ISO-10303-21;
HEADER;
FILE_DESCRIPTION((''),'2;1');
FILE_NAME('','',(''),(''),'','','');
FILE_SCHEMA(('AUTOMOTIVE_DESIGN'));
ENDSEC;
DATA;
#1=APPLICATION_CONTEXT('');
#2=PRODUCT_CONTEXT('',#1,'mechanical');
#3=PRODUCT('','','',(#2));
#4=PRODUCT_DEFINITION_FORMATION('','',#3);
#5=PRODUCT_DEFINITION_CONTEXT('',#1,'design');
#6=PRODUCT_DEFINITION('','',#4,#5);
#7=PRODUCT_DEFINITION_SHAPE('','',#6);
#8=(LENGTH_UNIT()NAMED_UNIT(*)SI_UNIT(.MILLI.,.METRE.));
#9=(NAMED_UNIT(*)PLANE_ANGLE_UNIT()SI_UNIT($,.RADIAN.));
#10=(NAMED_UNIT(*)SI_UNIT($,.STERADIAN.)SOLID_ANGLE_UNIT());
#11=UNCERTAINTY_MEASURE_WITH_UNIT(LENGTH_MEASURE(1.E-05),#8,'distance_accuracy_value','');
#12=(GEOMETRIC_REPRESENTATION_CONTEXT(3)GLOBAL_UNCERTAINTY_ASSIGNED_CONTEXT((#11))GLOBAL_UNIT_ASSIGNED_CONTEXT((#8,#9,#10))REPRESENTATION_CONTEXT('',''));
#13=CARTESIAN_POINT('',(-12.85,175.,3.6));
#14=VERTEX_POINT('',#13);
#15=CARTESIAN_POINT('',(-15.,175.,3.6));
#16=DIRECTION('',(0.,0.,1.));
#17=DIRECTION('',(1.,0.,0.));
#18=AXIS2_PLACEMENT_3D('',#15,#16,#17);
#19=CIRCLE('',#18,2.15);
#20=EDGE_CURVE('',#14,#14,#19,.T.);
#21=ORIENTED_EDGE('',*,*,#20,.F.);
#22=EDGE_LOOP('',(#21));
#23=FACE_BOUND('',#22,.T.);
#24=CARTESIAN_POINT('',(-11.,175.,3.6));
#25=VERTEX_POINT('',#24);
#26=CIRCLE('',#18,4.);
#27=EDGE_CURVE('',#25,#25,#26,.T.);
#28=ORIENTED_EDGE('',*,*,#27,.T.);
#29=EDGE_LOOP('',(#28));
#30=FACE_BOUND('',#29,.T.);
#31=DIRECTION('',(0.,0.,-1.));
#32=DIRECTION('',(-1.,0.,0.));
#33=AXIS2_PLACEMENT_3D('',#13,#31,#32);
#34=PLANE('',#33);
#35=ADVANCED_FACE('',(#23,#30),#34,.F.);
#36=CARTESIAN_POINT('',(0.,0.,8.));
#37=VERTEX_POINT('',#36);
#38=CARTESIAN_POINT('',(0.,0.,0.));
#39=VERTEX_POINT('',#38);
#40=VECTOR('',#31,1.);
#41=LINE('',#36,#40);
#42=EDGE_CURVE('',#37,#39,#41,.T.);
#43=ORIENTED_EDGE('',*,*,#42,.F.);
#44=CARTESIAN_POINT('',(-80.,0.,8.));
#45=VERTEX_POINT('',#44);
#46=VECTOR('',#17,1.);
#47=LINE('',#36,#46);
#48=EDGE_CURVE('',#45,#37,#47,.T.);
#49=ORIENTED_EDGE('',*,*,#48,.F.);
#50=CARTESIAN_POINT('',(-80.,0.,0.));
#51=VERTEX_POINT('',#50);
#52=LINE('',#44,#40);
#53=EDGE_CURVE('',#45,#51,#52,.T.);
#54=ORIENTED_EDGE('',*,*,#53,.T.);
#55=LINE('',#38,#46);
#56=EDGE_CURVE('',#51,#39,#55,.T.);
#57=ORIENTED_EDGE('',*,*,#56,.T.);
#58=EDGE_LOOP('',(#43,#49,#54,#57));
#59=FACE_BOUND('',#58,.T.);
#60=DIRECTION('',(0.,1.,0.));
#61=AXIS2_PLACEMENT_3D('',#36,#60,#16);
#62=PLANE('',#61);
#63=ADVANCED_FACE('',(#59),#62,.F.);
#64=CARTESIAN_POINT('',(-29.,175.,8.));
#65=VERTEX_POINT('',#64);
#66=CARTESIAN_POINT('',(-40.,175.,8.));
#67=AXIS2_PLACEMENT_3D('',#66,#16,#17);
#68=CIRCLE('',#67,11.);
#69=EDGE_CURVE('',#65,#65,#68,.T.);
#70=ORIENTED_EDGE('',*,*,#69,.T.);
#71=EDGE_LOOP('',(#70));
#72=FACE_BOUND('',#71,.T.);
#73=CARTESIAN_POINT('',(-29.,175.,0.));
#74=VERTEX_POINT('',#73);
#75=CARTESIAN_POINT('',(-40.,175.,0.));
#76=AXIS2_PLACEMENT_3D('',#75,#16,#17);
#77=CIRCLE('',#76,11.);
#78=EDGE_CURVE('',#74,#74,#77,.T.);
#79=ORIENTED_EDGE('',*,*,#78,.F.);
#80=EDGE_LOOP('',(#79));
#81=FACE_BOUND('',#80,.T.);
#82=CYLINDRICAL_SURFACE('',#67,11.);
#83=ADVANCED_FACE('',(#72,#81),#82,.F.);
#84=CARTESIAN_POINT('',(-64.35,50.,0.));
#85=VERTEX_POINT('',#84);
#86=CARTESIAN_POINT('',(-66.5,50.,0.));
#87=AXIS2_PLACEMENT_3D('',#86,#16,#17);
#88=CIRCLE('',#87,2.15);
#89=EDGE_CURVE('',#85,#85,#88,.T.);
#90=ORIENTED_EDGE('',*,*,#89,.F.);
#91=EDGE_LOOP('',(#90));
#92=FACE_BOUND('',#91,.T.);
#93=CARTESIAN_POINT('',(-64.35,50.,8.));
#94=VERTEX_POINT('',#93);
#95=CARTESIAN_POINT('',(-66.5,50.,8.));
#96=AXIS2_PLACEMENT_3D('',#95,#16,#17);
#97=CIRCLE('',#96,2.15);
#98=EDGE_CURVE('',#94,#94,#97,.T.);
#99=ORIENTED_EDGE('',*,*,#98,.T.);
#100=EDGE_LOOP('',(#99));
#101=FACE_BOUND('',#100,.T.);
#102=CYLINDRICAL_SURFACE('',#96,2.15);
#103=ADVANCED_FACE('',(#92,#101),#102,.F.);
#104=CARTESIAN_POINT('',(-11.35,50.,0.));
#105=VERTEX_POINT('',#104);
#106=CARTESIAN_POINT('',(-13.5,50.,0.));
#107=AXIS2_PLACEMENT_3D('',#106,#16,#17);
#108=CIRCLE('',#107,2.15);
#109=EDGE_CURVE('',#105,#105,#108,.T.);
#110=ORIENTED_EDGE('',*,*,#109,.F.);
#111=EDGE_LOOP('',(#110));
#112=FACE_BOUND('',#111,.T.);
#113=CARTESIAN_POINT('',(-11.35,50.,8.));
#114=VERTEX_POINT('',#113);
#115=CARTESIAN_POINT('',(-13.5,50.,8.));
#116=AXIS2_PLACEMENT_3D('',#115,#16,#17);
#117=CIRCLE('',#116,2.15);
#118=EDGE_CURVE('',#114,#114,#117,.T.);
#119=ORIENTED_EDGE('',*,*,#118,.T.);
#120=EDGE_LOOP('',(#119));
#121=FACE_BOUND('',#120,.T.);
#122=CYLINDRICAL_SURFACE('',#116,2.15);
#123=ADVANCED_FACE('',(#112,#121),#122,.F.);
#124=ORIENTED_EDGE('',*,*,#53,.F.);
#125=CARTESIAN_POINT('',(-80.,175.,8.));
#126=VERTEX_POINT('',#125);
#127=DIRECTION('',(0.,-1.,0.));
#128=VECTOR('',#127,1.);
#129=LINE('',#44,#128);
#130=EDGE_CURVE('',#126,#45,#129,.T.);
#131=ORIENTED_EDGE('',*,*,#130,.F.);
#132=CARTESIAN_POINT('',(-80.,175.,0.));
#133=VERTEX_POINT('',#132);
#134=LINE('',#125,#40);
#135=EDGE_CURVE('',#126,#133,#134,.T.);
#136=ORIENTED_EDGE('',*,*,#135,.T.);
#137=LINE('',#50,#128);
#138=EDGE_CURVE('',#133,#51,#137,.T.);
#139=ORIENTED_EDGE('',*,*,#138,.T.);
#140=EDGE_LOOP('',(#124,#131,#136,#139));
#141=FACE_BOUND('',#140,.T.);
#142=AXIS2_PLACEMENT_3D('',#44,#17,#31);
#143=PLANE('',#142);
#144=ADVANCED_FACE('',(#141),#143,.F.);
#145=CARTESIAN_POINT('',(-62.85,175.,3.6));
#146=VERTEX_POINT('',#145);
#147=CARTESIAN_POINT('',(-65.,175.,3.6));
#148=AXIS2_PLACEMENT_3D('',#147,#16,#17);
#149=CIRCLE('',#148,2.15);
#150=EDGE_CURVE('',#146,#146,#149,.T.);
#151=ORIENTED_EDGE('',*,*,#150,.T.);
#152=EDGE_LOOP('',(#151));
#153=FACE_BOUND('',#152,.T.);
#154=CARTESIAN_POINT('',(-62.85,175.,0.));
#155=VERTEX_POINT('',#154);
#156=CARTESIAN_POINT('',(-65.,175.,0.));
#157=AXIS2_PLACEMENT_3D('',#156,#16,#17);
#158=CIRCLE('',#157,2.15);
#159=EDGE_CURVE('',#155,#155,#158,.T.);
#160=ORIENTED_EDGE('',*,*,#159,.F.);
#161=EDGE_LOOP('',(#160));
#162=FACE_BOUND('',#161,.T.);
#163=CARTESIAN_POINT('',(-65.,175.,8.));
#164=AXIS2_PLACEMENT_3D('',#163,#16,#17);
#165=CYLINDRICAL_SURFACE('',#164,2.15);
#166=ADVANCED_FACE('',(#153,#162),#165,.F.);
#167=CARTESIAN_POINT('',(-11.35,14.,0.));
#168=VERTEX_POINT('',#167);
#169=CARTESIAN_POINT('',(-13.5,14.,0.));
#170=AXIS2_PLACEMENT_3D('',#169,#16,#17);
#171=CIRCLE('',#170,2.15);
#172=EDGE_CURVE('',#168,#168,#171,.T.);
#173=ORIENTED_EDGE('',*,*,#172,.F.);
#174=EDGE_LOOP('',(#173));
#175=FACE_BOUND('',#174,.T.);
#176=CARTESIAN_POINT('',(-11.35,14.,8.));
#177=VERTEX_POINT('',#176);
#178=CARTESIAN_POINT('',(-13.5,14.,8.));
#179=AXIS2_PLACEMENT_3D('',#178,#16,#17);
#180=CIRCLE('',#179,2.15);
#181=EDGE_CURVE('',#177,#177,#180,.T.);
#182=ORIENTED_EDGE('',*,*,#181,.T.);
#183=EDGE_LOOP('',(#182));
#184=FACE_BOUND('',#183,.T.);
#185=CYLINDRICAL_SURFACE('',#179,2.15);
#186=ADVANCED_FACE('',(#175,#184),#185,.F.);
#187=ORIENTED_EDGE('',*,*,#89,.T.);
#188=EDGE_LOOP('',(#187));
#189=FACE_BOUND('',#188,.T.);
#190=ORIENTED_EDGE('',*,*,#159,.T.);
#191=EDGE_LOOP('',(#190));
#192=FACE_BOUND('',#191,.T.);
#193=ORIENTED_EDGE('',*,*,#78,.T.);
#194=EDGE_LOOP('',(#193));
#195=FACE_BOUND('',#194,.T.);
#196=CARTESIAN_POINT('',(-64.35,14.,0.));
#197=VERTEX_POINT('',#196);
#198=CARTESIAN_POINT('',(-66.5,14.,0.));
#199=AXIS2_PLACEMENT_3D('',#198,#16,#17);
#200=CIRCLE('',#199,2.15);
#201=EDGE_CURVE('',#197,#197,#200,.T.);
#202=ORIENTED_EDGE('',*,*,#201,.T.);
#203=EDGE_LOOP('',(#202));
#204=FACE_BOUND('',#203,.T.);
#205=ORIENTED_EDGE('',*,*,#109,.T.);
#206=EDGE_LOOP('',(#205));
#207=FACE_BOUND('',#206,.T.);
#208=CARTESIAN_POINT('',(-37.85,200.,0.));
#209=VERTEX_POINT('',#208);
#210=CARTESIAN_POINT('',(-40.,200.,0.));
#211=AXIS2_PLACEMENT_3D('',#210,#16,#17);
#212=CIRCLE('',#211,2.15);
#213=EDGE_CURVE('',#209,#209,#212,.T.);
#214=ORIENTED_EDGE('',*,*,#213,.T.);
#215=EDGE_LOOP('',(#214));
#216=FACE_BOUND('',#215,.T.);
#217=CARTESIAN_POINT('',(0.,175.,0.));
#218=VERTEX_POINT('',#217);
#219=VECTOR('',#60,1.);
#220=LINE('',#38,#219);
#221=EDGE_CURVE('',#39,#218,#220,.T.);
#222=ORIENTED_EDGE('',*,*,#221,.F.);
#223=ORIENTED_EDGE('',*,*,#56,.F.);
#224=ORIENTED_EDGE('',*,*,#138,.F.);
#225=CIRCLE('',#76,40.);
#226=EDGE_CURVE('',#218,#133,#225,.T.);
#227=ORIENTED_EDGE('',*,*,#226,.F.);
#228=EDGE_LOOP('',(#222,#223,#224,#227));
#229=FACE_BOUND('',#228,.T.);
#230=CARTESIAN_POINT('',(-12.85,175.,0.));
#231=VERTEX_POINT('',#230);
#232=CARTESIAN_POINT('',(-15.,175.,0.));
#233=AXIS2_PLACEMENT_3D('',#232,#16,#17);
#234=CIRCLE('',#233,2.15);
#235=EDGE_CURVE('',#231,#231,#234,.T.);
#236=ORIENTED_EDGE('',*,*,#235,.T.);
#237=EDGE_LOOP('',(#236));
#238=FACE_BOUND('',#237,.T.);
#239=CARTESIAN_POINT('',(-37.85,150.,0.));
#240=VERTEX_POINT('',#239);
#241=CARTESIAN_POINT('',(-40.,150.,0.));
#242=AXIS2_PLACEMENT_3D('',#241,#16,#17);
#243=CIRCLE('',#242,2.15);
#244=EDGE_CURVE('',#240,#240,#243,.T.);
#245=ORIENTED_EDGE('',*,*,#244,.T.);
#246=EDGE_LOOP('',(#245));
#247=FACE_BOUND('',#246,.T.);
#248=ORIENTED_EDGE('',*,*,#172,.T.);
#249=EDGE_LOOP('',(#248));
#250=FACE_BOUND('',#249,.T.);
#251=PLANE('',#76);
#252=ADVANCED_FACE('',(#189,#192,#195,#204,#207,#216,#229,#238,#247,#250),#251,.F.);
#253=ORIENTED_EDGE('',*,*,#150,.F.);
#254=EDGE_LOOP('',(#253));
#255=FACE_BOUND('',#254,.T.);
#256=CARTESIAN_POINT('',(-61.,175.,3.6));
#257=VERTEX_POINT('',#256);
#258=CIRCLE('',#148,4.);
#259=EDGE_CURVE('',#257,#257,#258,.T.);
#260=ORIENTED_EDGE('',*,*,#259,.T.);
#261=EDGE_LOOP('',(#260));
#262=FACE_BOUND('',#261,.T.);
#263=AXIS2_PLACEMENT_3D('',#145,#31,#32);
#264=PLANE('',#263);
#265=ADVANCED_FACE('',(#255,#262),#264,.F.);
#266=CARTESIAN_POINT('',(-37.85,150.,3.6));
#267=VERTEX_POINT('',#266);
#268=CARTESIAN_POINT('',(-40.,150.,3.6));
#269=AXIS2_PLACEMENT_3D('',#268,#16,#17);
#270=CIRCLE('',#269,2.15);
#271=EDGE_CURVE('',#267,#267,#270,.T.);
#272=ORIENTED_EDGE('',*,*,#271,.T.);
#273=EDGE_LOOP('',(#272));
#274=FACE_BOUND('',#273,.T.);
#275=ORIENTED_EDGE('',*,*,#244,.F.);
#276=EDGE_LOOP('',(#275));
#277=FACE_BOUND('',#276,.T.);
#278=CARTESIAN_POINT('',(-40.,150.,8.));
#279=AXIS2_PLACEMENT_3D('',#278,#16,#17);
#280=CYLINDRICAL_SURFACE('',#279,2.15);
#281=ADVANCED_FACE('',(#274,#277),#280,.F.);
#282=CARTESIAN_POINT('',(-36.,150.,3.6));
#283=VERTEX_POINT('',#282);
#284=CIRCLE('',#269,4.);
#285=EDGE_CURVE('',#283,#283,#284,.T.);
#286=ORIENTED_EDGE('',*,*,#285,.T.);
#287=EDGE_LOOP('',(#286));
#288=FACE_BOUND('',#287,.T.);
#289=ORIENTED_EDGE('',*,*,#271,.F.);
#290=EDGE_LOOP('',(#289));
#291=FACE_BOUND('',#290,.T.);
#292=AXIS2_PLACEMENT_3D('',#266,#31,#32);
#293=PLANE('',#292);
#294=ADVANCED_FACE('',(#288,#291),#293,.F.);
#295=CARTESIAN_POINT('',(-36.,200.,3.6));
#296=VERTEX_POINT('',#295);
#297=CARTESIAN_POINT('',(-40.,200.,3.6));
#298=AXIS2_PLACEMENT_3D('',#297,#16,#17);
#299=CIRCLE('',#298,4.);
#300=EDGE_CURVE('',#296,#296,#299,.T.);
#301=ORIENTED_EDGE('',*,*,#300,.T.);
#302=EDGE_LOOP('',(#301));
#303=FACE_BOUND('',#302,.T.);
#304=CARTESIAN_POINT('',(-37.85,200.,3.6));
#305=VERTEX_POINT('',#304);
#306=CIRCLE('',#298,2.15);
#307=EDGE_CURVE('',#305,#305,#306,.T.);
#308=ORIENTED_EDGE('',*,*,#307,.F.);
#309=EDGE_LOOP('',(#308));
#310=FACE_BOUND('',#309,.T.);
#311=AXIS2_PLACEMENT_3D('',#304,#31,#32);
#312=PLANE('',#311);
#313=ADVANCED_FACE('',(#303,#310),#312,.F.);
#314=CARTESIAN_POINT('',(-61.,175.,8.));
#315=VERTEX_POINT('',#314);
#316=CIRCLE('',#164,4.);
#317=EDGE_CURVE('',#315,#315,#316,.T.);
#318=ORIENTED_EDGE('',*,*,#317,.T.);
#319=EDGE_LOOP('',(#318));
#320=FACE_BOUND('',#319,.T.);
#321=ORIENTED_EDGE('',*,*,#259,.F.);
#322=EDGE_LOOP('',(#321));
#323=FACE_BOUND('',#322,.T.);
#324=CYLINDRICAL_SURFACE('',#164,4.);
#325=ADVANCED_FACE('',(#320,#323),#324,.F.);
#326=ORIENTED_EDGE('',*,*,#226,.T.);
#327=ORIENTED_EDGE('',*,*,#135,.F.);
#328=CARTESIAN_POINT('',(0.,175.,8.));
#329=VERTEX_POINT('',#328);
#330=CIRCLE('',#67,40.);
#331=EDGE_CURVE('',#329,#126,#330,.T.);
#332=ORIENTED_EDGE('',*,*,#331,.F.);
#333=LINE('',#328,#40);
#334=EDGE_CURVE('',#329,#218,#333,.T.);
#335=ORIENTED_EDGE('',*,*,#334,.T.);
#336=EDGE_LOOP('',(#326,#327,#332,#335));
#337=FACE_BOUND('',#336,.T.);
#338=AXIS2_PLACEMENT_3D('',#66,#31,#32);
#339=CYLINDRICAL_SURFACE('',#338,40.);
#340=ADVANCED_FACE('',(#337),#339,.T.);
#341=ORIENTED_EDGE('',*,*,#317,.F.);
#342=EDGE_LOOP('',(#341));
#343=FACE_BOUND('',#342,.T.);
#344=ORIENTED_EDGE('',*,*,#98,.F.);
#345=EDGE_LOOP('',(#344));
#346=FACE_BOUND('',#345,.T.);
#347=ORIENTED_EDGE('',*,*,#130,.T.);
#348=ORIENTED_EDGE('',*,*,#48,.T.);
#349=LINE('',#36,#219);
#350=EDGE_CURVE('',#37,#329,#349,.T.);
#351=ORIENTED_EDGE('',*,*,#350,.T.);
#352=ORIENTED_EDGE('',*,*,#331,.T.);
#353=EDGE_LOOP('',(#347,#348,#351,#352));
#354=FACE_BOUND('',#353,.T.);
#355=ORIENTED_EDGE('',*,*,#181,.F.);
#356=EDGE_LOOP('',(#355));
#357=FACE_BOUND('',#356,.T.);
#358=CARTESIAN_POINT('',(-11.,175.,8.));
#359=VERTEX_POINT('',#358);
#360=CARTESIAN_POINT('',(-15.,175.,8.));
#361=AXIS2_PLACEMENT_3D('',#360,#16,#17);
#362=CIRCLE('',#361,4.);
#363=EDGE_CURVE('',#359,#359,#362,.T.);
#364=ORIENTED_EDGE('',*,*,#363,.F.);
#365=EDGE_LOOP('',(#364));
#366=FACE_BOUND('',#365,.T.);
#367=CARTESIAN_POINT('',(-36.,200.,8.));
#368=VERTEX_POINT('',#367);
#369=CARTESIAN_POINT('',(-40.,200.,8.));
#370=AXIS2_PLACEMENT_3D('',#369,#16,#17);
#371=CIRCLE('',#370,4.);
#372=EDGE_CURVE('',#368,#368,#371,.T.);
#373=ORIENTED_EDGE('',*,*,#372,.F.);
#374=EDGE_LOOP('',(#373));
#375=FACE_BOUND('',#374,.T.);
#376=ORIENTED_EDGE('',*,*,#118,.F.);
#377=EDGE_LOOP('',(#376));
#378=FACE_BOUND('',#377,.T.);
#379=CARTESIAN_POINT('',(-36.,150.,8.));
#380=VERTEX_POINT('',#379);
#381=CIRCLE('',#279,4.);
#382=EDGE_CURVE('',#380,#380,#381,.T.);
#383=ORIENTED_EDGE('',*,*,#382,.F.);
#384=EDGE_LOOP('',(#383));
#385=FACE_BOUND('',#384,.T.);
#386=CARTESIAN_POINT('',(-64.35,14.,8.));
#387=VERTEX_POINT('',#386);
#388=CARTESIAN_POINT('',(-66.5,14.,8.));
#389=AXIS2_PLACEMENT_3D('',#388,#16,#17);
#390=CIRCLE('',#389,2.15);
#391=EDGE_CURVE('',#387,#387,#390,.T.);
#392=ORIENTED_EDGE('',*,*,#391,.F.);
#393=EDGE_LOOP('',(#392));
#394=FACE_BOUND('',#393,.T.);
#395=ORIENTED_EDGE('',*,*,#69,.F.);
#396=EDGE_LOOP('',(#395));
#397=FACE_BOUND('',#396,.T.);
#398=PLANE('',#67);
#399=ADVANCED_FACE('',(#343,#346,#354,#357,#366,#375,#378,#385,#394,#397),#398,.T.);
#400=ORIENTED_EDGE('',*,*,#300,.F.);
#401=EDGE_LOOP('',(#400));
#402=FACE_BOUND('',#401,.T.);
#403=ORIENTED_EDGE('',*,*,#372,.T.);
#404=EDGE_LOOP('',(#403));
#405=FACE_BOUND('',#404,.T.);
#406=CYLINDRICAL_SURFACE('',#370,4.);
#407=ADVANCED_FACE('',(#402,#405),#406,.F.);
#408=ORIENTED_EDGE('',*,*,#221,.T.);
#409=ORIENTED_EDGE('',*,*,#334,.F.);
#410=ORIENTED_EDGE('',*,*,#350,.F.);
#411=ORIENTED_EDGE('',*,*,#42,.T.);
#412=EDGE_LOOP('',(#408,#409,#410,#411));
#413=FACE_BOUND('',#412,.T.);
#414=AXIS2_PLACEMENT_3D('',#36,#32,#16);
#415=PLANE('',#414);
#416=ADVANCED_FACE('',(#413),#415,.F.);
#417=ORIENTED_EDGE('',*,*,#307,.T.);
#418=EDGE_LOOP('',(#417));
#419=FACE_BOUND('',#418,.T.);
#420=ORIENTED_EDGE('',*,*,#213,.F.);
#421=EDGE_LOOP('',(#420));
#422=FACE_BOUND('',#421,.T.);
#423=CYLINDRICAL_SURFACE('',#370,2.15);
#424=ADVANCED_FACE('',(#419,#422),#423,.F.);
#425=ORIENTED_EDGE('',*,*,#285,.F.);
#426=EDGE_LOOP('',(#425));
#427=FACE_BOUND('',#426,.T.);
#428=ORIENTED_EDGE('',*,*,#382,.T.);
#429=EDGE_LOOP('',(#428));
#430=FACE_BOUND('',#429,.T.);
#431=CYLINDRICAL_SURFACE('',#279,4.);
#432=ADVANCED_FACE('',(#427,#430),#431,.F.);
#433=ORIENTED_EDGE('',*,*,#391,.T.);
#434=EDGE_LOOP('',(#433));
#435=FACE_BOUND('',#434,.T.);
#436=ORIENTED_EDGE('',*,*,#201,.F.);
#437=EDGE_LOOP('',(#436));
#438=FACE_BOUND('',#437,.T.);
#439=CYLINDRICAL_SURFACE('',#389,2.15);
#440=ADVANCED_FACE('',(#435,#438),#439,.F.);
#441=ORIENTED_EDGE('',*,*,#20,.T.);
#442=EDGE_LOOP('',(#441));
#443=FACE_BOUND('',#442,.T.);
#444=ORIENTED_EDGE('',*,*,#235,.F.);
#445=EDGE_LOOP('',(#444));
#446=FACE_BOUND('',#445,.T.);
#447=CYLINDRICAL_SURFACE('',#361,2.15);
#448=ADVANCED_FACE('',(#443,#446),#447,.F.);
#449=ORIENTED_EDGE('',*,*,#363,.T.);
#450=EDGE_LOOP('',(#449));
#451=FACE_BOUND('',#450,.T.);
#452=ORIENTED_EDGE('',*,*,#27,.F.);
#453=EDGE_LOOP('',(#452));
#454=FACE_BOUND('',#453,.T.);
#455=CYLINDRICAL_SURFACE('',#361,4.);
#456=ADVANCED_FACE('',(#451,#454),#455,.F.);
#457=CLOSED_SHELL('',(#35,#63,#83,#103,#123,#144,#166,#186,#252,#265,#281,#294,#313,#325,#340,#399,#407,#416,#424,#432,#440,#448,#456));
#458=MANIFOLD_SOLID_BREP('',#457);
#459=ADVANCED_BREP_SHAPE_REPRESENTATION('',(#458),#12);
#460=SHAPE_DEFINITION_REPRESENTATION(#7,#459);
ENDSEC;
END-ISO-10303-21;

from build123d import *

# Parameters (mm, degrees)
SKETCH1_R                                           = 8
BOSS_EXTRUDE1_DEPTH                                 = 8
CBORE_FOR_M4_HEX_SOCKET_HEAD_CAP_SCREW2_D           = 4.3
CBORE_FOR_M4_HEX_SOCKET_HEAD_CAP_SCREW2_CBORE_D     = 8
CBORE_FOR_M4_HEX_SOCKET_HEAD_CAP_SCREW2_CBORE_DEPTH = 4.4
F_20_0MM_TRANSITIONAL_DOWEL_HOLE1_D                 = 22
M4_CLEARANCE_HOLE2_D                                = 4.3


with BuildPart() as part:
    # Sketch1 → Boss-Extrude1 (new body)
    with BuildSketch(Plane.XY):
        with BuildLine():
            Line((0, 0), (-80, 0))
            Line((-80, 0), (-80, 175))
            ThreePointArc((-80, 175), (-40, 215), (0, 175))
            Line((0, 175), (0, 0))
        make_face()
        with Locations((-40, 175)):
            Circle(SKETCH1_R, mode=Mode.SUBTRACT)
    extrude(amount=BOSS_EXTRUDE1_DEPTH)

    # CBORE for M4 Hex Socket Head Cap Screw2 (through all)
    with Locations(Plane.XY.offset(8)):
        with Locations((-40, 200), (-15, 175), (-40, 150), (-65, 175)):
            CounterBoreHole(CBORE_FOR_M4_HEX_SOCKET_HEAD_CAP_SCREW2_D / 2, CBORE_FOR_M4_HEX_SOCKET_HEAD_CAP_SCREW2_CBORE_D / 2, CBORE_FOR_M4_HEX_SOCKET_HEAD_CAP_SCREW2_CBORE_DEPTH)

    # Ø20.0mm Transitional Dowel Hole1 (through all)
    with Locations(Plane.XY.offset(8)):
        with Locations((-40, 175)):
            Hole(F_20_0MM_TRANSITIONAL_DOWEL_HOLE1_D / 2)

    # M4 Clearance Hole2 (through all)
    with Locations(Plane.XY.offset(8)):
        with Locations((-66.5, 50), (-13.5, 14), (-66.5, 14), (-13.5, 50)):
            Hole(M4_CLEARANCE_HOLE2_D / 2)


solid = part.part
